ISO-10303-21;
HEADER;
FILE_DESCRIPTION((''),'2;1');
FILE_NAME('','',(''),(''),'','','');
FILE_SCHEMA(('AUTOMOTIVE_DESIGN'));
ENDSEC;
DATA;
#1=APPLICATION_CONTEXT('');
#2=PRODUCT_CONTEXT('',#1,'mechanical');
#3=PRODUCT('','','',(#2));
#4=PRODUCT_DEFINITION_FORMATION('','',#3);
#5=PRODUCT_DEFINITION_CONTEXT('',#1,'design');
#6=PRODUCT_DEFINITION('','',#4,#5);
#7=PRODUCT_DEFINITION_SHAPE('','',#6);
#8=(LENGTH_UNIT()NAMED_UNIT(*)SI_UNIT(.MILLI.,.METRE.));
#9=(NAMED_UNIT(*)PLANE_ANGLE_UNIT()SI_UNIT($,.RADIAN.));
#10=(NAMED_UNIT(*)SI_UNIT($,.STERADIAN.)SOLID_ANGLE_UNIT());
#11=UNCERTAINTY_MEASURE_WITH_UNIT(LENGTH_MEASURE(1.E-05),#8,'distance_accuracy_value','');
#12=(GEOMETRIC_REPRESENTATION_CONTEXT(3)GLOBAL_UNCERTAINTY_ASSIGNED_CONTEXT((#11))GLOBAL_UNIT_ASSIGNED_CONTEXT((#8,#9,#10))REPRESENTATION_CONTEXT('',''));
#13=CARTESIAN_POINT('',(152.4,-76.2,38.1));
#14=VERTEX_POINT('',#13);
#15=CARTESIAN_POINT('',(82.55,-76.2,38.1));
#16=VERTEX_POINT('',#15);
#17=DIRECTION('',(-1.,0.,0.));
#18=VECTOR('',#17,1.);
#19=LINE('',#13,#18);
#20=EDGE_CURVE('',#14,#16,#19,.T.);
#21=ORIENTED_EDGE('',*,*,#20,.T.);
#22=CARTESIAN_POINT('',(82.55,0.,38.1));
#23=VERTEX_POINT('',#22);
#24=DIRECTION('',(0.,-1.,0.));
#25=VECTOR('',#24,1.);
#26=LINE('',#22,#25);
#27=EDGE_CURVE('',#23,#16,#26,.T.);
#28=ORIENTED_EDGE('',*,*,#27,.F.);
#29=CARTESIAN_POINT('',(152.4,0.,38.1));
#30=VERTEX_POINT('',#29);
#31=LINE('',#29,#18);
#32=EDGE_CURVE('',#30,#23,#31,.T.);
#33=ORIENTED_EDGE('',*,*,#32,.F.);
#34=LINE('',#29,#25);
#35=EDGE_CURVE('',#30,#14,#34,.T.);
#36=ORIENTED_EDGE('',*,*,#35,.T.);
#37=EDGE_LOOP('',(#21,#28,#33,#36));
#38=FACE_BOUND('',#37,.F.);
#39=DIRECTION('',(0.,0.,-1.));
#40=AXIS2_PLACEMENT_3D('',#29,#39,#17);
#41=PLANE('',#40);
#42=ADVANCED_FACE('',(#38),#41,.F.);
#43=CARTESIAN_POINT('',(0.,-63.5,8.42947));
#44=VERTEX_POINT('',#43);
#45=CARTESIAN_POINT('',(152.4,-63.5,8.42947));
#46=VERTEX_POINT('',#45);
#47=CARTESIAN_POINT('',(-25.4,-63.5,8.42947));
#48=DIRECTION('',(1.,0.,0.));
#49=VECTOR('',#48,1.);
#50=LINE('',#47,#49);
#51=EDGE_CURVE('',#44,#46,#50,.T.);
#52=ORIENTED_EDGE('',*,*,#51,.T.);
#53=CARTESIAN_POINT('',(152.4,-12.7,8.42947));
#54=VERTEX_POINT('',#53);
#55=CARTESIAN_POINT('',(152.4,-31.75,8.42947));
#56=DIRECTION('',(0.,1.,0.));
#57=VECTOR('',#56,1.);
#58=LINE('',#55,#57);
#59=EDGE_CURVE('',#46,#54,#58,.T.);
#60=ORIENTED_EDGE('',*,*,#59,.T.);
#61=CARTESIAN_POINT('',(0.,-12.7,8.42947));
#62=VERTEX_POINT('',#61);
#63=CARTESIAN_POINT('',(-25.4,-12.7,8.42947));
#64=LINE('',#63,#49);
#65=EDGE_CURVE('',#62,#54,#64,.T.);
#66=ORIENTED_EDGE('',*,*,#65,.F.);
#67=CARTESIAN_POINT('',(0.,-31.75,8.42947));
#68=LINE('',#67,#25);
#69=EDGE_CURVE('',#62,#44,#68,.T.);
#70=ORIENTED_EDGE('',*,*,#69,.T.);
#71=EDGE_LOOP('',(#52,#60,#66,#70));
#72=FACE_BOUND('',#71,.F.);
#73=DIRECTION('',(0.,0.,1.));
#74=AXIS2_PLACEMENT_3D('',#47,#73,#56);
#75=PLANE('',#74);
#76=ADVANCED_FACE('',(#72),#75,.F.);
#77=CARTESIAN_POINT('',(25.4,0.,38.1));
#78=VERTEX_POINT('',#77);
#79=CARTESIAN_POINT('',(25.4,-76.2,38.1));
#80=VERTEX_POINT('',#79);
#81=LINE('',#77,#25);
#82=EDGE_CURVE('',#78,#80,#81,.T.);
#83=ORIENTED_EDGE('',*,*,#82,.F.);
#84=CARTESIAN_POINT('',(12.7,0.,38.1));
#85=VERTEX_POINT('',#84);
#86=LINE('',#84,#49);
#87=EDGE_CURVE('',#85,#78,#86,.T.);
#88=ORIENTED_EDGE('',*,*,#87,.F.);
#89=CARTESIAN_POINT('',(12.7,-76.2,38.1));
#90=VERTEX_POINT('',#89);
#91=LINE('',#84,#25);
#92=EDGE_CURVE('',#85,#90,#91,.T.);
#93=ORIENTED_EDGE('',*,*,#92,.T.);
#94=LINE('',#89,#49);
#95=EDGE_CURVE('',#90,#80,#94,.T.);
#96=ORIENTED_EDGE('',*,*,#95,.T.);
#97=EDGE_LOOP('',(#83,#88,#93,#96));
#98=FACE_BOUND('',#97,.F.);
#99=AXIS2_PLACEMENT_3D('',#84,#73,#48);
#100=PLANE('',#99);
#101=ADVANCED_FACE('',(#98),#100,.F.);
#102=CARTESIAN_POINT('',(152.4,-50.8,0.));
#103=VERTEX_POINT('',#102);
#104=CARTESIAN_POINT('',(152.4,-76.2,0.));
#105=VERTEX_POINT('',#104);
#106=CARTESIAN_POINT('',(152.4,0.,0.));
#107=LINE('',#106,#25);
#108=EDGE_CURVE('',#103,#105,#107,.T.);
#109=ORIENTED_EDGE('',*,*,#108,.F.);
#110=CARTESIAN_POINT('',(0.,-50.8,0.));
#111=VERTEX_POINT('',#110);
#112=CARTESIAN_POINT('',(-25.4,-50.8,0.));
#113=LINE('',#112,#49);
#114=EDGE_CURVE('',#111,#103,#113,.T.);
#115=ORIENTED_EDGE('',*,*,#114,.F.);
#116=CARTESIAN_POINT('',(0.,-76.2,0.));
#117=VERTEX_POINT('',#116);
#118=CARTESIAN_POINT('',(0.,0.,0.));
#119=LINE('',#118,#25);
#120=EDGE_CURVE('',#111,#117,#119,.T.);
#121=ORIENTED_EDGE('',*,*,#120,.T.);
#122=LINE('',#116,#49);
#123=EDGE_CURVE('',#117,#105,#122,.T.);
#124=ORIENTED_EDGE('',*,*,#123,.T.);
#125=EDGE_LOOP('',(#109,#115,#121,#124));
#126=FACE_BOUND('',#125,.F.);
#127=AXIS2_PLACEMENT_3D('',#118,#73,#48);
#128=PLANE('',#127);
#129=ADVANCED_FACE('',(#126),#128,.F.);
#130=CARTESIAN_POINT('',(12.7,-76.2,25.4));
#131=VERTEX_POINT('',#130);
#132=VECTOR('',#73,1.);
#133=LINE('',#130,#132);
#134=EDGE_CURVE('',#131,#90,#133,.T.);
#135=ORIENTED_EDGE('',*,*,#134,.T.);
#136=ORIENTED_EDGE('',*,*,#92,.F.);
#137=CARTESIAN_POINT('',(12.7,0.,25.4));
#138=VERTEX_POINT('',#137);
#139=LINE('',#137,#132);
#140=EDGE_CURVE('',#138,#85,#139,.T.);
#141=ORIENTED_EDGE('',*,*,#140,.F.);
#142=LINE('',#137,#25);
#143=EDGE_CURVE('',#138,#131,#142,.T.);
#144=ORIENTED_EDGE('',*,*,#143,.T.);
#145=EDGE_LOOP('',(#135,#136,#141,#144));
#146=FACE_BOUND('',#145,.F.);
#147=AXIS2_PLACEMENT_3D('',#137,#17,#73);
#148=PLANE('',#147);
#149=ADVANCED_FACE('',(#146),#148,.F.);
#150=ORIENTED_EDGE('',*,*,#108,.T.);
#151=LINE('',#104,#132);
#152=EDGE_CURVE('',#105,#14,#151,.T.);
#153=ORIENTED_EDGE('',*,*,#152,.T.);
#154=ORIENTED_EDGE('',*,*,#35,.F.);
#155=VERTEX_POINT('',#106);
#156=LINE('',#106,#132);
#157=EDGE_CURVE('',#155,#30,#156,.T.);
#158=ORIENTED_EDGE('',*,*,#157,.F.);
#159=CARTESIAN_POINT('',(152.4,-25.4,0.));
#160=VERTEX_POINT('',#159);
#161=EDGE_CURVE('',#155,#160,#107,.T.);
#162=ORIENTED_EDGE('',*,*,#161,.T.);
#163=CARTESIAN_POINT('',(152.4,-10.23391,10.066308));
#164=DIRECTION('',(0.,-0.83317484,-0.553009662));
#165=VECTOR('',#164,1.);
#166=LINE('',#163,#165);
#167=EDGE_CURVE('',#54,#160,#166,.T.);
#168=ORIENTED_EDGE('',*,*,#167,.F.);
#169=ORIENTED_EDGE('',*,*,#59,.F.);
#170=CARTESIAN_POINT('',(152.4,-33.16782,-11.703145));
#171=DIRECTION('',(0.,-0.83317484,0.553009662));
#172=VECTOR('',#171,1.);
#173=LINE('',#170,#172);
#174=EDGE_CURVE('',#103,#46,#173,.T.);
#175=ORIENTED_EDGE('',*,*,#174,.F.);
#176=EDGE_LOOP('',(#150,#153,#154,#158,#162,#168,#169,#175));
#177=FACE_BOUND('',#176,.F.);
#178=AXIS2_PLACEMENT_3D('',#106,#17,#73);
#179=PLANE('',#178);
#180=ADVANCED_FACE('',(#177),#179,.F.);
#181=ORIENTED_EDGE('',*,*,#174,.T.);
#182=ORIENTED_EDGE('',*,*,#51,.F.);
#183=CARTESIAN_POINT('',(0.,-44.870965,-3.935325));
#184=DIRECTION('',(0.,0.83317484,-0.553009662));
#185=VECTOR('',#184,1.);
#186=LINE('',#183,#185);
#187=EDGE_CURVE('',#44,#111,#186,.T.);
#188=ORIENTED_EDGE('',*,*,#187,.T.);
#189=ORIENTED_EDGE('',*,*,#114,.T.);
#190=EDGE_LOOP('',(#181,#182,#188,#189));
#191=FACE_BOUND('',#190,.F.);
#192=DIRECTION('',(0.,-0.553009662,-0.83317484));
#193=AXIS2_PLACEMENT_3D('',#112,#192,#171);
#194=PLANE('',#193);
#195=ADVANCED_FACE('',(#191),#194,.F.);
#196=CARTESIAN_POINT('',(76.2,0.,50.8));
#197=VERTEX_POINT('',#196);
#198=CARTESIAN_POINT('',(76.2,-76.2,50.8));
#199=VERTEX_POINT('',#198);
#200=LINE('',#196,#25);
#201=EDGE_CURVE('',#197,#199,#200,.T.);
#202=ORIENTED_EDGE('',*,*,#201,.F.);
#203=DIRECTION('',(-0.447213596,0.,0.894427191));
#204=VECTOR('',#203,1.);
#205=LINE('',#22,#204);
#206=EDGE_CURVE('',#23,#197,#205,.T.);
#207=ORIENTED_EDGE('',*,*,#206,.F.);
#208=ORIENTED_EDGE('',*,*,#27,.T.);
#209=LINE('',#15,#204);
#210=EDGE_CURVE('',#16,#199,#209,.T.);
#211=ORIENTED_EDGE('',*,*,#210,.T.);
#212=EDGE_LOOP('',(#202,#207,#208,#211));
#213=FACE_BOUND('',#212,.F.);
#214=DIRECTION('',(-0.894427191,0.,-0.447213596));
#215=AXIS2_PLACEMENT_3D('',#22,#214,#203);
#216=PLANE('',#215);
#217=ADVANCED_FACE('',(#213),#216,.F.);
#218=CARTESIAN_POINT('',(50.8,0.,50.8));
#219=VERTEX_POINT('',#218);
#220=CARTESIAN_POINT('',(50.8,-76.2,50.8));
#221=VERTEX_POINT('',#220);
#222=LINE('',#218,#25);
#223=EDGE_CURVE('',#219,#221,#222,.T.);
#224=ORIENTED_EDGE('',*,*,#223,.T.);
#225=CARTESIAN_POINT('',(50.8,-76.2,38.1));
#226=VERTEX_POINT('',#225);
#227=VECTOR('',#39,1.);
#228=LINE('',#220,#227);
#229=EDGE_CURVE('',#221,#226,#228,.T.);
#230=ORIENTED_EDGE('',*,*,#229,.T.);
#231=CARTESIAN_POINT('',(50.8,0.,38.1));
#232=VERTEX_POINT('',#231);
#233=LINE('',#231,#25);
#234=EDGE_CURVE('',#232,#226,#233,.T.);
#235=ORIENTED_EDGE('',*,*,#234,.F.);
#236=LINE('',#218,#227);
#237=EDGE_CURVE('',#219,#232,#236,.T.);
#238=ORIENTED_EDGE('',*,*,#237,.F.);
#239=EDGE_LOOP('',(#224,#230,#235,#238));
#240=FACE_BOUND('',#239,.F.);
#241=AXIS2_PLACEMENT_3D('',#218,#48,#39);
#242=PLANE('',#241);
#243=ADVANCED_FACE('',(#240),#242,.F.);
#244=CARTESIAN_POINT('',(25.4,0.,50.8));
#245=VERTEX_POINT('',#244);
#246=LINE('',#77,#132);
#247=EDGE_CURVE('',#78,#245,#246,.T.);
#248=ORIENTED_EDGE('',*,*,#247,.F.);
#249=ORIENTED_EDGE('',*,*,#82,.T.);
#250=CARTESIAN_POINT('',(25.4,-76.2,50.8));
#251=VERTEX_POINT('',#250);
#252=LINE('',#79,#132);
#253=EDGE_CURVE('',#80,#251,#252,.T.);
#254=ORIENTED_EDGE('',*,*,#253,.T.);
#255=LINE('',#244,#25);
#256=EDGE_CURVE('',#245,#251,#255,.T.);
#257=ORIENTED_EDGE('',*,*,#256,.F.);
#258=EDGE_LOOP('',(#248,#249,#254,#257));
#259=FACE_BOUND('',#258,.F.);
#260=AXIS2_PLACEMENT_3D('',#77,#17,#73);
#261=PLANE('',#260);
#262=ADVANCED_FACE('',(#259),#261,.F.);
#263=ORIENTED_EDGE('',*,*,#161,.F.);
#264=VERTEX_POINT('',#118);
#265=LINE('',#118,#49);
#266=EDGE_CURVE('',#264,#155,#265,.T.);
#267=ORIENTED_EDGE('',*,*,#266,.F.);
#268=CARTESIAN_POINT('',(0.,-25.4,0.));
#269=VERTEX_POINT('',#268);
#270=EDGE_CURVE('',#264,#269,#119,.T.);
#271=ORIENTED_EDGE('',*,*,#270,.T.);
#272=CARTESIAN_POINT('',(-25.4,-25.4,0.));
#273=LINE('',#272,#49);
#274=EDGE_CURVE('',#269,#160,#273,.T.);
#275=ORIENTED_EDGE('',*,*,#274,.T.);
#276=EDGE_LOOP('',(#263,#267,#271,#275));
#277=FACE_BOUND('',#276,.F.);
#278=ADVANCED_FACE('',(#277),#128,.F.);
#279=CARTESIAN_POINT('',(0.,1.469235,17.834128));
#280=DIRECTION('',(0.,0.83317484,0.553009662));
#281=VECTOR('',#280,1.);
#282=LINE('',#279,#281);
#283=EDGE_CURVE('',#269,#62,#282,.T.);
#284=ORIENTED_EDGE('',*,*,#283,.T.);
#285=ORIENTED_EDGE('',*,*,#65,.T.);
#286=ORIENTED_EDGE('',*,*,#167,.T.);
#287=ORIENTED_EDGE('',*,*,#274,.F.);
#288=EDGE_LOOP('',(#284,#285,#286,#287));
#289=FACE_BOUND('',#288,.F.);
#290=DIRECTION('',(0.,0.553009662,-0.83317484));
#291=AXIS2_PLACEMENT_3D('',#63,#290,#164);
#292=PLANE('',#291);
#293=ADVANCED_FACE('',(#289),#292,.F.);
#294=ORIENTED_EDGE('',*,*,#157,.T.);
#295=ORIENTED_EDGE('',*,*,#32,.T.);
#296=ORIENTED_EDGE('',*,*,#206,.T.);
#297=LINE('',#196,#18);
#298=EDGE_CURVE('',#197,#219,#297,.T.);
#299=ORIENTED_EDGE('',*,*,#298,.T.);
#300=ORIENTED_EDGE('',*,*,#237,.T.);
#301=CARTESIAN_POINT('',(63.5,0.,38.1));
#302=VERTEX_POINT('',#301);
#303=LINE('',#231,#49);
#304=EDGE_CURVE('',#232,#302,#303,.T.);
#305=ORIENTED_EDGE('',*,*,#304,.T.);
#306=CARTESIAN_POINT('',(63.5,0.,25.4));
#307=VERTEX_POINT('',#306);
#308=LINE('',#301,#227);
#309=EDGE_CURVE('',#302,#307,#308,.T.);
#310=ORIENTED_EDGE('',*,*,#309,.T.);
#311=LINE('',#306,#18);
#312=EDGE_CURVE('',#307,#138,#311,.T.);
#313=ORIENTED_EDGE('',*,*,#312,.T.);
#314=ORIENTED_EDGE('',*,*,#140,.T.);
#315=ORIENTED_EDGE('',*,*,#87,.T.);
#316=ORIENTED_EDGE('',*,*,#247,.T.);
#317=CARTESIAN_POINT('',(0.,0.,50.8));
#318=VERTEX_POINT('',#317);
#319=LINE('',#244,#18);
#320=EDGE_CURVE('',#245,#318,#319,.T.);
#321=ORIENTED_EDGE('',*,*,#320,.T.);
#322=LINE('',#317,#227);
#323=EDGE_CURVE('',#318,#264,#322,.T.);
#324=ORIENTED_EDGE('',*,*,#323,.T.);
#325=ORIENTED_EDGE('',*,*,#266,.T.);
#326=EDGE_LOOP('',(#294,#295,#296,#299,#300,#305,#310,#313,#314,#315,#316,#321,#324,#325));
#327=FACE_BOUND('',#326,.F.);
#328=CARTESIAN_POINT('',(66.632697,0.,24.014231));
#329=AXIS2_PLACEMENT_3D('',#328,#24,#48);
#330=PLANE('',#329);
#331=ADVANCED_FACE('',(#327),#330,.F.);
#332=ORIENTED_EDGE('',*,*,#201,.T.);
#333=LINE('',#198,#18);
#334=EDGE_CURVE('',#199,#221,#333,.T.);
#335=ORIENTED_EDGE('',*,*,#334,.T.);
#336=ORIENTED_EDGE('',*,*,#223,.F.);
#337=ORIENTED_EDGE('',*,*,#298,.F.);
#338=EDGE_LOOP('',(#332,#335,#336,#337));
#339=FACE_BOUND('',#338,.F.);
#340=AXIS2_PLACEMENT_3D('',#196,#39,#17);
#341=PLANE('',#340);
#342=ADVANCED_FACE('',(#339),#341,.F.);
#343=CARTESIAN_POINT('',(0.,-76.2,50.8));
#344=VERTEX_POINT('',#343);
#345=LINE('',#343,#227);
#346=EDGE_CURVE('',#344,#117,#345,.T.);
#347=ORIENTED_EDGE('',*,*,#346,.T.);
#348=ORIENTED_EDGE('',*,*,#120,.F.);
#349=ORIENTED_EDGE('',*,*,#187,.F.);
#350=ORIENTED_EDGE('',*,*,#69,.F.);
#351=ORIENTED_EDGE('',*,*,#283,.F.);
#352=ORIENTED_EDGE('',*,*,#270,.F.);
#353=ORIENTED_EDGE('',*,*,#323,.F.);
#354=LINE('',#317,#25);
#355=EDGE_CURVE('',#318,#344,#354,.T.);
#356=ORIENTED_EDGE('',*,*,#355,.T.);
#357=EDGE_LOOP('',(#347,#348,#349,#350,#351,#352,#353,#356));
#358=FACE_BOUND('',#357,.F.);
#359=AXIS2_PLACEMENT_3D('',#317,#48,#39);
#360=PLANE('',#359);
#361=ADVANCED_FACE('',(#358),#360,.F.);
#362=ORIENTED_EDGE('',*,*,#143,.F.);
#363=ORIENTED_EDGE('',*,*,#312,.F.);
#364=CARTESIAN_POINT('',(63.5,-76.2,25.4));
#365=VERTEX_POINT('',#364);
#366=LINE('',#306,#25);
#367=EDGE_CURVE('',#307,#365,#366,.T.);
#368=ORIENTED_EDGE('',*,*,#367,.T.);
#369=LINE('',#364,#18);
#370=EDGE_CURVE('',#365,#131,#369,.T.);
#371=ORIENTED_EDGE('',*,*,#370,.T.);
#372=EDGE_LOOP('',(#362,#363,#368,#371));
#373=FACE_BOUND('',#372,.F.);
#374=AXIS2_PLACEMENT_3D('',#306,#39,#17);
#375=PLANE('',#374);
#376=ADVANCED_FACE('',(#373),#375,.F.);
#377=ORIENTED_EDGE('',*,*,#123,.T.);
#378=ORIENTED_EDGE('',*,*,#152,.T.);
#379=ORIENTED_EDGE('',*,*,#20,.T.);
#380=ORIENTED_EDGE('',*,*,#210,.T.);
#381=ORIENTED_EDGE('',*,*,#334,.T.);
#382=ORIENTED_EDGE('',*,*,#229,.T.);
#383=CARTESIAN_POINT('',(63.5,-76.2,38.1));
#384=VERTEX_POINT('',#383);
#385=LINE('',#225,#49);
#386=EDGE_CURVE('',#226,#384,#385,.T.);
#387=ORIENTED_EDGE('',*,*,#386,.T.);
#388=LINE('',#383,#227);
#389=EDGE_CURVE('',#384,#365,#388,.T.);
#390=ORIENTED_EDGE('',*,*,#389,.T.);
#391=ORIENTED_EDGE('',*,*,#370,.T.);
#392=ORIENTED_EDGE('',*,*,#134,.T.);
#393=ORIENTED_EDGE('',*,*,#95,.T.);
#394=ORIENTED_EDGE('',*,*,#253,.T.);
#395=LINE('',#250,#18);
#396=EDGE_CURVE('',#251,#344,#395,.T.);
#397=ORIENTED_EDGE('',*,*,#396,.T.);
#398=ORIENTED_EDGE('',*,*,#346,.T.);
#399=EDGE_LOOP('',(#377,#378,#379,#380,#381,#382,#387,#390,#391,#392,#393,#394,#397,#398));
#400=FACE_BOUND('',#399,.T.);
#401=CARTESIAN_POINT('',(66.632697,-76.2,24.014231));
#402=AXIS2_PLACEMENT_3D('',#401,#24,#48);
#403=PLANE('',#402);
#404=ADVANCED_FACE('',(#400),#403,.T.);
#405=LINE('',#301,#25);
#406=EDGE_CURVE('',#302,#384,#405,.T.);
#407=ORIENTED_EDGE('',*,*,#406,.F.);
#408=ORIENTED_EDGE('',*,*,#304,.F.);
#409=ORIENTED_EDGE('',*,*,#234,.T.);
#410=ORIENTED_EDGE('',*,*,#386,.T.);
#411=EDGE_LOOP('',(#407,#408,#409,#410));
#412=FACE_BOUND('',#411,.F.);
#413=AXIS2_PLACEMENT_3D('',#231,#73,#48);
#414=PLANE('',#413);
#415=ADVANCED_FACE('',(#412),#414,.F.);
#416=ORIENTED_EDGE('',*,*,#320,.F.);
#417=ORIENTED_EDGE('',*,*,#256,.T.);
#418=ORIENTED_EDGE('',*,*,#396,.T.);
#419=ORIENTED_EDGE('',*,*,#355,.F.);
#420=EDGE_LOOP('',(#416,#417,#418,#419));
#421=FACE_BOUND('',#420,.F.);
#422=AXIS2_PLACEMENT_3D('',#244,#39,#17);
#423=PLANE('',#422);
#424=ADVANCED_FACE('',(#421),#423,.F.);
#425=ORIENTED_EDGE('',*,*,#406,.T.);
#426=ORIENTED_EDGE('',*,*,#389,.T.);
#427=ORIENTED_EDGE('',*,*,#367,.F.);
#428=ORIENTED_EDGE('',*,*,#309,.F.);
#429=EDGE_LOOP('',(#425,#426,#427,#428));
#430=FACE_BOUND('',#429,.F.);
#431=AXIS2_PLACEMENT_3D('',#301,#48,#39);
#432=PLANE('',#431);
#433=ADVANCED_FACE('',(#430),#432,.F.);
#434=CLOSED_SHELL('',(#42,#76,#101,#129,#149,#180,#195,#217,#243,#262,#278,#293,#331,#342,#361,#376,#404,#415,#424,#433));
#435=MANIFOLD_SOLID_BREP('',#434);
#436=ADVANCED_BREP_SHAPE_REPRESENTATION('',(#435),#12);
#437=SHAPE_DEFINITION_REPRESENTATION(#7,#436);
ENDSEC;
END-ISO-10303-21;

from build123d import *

# Parameters (mm, degrees)
F1_DEPTH = 76.2
F4_DEPTH = 187.96


with BuildPart() as f1:
    # F0 (on Front) → F1 (new body)
    with BuildSketch(Plane.XZ):
        Polygon((0, 50.8), (0, 0), (152.4, 0), (152.4, 38.1), (82.55, 38.1), (76.2, 50.8), (50.8, 50.8), (50.8, 38.1), (63.5, 38.1), (63.5, 25.4), (12.7, 25.4), (12.7, 38.1), (25.4, 38.1), (25.4, 50.8), align=None)
    extrude(amount=F1_DEPTH)

    # F3 (on offset) → F4 (cut)
    with BuildSketch(Plane(origin=(-25.4, 0, 0), x_dir=(0, -1, 0), z_dir=(-1, 0, 0))):
        Polygon((63.5, 8.429470472), (12.7, 8.429470472), (25.4, 0), (50.8, 0), align=None)
    extrude(amount=-F4_DEPTH, mode=Mode.SUBTRACT)


solid = f1.part
